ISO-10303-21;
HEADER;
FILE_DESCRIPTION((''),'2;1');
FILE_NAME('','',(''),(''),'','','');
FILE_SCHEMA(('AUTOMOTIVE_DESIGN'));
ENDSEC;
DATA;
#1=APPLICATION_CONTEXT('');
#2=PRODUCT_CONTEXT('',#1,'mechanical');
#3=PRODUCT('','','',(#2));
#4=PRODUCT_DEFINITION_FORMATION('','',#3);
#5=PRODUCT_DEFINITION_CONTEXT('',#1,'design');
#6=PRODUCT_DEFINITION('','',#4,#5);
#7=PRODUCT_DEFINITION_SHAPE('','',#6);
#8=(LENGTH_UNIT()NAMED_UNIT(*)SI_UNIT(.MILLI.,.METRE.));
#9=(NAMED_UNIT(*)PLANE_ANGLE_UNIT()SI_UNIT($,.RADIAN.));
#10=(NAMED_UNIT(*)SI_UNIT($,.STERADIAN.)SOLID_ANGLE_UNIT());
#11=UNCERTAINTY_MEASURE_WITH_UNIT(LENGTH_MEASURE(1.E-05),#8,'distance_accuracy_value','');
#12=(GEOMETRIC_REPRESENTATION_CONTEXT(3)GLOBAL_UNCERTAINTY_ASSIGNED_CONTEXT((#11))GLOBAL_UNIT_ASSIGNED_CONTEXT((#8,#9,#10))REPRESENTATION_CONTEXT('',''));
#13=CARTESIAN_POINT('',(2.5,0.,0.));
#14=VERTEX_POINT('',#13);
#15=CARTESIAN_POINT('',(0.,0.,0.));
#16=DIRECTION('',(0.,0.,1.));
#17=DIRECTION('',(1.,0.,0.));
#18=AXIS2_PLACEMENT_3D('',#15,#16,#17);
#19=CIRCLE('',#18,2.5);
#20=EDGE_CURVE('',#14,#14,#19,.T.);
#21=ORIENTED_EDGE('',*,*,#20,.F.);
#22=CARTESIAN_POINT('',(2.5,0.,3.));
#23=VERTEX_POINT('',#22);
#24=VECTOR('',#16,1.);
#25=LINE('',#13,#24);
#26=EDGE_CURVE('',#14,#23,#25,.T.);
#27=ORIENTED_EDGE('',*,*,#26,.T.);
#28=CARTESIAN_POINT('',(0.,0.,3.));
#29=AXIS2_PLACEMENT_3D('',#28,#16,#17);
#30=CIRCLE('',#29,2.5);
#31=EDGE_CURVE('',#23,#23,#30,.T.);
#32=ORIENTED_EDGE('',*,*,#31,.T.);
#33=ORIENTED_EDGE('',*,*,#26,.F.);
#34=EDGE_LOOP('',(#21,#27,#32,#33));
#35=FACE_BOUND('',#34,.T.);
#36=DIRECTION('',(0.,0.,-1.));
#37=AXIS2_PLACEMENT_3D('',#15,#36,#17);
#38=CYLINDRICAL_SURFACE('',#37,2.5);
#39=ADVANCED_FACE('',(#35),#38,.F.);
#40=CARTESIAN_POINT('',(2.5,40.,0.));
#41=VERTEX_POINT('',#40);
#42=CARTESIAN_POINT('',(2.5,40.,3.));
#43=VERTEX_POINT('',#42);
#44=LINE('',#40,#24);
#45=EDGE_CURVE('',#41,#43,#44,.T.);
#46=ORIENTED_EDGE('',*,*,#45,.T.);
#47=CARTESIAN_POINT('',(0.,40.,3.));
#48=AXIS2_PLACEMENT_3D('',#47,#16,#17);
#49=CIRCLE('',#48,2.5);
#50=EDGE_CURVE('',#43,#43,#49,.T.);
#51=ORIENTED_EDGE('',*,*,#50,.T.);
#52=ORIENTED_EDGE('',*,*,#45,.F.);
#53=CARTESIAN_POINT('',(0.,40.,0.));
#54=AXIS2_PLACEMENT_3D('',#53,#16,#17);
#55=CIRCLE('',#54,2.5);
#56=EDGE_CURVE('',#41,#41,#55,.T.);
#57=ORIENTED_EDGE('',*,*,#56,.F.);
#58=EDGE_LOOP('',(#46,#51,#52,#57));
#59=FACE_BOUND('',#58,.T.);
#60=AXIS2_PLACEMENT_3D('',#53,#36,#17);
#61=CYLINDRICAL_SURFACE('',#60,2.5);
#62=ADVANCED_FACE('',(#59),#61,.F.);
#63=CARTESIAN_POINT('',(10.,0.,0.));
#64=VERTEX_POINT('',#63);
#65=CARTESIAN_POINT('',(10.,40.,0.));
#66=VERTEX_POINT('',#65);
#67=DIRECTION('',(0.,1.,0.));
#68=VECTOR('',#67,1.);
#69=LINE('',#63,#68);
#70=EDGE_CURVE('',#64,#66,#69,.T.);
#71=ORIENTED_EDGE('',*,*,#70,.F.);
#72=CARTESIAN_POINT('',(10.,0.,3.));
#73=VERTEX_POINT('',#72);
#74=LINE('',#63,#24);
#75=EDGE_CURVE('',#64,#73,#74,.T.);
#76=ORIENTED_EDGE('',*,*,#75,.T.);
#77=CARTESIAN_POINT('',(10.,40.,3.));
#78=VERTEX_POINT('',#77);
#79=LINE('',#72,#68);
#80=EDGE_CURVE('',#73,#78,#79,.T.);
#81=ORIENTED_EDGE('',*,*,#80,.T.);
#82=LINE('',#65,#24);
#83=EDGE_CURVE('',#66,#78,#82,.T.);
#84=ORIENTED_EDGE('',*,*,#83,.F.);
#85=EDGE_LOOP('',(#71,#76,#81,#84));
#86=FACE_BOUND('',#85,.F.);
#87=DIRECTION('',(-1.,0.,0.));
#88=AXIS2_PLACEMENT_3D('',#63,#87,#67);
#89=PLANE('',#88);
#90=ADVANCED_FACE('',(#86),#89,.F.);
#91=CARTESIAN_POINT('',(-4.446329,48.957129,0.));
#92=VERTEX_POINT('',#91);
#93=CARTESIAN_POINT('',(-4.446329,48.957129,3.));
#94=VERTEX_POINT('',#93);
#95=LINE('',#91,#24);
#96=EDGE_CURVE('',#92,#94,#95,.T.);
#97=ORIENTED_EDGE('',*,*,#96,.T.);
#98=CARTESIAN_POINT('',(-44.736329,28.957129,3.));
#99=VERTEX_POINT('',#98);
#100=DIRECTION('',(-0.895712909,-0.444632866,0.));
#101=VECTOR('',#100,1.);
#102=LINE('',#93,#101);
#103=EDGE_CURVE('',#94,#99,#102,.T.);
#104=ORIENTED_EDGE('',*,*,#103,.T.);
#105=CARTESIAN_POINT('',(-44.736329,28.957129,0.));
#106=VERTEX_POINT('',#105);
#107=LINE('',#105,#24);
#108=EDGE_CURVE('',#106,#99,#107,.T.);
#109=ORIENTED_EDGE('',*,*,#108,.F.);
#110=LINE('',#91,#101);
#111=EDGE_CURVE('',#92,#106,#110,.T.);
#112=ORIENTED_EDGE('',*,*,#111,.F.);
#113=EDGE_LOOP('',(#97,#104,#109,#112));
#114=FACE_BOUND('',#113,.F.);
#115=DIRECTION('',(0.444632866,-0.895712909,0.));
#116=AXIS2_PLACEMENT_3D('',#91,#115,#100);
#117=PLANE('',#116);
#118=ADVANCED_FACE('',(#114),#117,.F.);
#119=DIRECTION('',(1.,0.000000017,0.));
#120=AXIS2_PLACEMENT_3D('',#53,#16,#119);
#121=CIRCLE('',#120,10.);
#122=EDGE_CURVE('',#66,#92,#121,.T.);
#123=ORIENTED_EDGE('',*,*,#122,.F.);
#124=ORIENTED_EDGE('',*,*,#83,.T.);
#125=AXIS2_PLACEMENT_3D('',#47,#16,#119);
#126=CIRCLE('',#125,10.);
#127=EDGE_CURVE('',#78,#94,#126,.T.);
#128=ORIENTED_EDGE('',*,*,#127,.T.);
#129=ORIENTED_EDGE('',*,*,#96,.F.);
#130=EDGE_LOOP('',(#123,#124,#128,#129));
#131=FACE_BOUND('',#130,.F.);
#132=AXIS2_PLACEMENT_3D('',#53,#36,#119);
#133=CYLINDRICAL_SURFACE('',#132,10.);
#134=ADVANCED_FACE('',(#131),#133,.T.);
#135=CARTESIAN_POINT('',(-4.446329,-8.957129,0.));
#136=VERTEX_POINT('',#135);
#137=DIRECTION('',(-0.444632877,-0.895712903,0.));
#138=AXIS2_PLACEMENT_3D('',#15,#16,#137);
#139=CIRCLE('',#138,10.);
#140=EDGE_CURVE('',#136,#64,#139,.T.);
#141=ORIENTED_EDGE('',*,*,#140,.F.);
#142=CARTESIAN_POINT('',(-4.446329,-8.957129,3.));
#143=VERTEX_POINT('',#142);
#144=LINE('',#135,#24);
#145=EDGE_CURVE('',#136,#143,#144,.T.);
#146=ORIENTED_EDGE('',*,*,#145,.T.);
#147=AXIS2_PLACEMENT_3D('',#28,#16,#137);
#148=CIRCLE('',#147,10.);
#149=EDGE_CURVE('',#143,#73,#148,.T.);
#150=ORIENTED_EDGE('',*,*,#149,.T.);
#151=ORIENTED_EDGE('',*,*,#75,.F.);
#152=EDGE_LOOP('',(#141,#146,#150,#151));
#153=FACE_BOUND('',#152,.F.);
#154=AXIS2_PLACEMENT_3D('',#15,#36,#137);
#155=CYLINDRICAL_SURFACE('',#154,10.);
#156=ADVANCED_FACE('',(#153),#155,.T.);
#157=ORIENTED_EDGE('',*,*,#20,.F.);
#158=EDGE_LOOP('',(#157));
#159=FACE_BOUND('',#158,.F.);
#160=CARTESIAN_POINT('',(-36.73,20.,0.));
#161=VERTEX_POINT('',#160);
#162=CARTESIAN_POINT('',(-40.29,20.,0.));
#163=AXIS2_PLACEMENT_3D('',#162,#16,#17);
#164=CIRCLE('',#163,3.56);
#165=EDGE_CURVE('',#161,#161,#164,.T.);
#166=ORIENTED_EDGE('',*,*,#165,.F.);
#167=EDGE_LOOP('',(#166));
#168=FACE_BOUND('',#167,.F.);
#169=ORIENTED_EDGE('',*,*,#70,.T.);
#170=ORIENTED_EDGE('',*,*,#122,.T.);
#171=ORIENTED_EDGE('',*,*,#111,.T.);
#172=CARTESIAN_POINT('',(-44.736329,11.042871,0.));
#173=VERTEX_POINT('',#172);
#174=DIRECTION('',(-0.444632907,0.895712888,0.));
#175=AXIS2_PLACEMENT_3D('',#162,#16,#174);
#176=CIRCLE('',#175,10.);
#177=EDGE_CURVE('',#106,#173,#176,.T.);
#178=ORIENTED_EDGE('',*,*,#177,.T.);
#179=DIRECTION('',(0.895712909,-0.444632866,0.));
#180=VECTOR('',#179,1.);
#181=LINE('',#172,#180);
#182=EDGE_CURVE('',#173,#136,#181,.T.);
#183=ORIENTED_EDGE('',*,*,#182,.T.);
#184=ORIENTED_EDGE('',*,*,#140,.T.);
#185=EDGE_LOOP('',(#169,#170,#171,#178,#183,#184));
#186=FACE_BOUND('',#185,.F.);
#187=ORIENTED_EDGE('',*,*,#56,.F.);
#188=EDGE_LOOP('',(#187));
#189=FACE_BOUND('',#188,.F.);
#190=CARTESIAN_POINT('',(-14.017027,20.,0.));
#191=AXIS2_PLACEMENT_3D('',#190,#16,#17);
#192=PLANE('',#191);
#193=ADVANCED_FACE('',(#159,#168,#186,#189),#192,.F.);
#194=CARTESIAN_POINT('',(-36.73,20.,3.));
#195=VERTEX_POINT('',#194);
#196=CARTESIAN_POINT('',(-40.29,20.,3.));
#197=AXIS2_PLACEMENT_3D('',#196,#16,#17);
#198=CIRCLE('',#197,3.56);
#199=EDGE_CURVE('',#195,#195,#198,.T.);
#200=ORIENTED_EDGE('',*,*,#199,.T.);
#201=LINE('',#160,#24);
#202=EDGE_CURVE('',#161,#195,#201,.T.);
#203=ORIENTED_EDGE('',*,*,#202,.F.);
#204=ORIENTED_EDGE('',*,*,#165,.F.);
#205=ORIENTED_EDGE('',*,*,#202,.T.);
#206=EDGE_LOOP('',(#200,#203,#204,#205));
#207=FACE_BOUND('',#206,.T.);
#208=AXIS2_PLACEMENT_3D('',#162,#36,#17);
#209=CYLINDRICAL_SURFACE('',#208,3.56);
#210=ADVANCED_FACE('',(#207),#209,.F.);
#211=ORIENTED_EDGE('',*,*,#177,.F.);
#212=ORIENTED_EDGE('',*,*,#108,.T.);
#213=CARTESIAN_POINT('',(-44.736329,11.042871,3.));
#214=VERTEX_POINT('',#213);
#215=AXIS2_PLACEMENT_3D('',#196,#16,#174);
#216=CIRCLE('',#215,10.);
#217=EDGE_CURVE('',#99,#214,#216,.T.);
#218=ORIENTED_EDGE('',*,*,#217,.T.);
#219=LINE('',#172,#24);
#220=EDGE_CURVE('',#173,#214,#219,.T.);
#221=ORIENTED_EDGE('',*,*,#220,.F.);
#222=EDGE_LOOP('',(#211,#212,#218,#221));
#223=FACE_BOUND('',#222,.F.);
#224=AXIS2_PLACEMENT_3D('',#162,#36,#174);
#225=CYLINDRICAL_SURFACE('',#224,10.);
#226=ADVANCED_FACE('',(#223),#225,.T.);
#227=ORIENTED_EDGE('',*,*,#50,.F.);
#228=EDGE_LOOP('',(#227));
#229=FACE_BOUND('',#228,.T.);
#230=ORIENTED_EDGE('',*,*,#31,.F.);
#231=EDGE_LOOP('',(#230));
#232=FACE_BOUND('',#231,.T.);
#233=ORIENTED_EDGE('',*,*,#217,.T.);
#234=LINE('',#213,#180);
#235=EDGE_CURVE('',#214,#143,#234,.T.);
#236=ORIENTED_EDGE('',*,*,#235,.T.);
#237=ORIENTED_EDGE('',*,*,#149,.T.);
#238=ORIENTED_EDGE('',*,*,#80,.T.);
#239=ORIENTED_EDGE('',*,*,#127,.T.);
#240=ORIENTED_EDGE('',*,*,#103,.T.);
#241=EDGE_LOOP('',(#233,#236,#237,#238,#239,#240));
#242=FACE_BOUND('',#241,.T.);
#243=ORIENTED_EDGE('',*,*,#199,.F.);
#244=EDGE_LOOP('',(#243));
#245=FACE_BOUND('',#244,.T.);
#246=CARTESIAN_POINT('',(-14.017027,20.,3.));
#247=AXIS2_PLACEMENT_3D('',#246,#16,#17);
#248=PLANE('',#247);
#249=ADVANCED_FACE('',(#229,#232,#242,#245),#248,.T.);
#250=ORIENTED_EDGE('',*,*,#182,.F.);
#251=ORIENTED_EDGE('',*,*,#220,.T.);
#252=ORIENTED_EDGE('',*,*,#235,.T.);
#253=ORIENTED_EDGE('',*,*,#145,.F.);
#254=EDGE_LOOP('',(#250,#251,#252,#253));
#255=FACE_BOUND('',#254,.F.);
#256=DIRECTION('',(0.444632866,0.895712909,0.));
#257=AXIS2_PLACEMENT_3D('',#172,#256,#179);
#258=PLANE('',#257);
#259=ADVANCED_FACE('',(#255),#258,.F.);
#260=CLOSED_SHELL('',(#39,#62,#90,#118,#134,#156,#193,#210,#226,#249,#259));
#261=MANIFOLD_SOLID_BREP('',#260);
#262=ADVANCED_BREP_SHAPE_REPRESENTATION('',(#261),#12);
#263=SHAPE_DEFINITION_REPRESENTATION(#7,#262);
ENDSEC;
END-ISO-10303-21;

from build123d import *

# Parameters (mm, degrees)
F0_R     = 2.5
F0_R_2   = 3.56
F1_DEPTH = 3


with BuildPart() as f1:
    # F0 (on Top) → F1 (new body)
    with BuildSketch(Plane.XY):
        with BuildLine():
            Line((10, 0), (10, 40))
            ThreePointArc((10, 40), (5.269569, 48.49892), (-4.446329, 48.957129))
            Line((-4.446329, 48.957129), (-44.736329, 28.957129))
            ThreePointArc((-44.736329, 28.957129), (-50.29, 20), (-44.736329, 11.042871))
            Line((-44.736329, 11.042871), (-4.446329, -8.957129))
            ThreePointArc((-4.446329, -8.957129), (5.269569, -8.49892), (10, 0))
        make_face()
        Circle(F0_R, mode=Mode.SUBTRACT)
        with Locations((-40.29, 20)):
            Circle(F0_R_2, mode=Mode.SUBTRACT)
        with Locations((0, 40)):
            Circle(F0_R, mode=Mode.SUBTRACT)
    extrude(amount=F1_DEPTH)


solid = f1.part
